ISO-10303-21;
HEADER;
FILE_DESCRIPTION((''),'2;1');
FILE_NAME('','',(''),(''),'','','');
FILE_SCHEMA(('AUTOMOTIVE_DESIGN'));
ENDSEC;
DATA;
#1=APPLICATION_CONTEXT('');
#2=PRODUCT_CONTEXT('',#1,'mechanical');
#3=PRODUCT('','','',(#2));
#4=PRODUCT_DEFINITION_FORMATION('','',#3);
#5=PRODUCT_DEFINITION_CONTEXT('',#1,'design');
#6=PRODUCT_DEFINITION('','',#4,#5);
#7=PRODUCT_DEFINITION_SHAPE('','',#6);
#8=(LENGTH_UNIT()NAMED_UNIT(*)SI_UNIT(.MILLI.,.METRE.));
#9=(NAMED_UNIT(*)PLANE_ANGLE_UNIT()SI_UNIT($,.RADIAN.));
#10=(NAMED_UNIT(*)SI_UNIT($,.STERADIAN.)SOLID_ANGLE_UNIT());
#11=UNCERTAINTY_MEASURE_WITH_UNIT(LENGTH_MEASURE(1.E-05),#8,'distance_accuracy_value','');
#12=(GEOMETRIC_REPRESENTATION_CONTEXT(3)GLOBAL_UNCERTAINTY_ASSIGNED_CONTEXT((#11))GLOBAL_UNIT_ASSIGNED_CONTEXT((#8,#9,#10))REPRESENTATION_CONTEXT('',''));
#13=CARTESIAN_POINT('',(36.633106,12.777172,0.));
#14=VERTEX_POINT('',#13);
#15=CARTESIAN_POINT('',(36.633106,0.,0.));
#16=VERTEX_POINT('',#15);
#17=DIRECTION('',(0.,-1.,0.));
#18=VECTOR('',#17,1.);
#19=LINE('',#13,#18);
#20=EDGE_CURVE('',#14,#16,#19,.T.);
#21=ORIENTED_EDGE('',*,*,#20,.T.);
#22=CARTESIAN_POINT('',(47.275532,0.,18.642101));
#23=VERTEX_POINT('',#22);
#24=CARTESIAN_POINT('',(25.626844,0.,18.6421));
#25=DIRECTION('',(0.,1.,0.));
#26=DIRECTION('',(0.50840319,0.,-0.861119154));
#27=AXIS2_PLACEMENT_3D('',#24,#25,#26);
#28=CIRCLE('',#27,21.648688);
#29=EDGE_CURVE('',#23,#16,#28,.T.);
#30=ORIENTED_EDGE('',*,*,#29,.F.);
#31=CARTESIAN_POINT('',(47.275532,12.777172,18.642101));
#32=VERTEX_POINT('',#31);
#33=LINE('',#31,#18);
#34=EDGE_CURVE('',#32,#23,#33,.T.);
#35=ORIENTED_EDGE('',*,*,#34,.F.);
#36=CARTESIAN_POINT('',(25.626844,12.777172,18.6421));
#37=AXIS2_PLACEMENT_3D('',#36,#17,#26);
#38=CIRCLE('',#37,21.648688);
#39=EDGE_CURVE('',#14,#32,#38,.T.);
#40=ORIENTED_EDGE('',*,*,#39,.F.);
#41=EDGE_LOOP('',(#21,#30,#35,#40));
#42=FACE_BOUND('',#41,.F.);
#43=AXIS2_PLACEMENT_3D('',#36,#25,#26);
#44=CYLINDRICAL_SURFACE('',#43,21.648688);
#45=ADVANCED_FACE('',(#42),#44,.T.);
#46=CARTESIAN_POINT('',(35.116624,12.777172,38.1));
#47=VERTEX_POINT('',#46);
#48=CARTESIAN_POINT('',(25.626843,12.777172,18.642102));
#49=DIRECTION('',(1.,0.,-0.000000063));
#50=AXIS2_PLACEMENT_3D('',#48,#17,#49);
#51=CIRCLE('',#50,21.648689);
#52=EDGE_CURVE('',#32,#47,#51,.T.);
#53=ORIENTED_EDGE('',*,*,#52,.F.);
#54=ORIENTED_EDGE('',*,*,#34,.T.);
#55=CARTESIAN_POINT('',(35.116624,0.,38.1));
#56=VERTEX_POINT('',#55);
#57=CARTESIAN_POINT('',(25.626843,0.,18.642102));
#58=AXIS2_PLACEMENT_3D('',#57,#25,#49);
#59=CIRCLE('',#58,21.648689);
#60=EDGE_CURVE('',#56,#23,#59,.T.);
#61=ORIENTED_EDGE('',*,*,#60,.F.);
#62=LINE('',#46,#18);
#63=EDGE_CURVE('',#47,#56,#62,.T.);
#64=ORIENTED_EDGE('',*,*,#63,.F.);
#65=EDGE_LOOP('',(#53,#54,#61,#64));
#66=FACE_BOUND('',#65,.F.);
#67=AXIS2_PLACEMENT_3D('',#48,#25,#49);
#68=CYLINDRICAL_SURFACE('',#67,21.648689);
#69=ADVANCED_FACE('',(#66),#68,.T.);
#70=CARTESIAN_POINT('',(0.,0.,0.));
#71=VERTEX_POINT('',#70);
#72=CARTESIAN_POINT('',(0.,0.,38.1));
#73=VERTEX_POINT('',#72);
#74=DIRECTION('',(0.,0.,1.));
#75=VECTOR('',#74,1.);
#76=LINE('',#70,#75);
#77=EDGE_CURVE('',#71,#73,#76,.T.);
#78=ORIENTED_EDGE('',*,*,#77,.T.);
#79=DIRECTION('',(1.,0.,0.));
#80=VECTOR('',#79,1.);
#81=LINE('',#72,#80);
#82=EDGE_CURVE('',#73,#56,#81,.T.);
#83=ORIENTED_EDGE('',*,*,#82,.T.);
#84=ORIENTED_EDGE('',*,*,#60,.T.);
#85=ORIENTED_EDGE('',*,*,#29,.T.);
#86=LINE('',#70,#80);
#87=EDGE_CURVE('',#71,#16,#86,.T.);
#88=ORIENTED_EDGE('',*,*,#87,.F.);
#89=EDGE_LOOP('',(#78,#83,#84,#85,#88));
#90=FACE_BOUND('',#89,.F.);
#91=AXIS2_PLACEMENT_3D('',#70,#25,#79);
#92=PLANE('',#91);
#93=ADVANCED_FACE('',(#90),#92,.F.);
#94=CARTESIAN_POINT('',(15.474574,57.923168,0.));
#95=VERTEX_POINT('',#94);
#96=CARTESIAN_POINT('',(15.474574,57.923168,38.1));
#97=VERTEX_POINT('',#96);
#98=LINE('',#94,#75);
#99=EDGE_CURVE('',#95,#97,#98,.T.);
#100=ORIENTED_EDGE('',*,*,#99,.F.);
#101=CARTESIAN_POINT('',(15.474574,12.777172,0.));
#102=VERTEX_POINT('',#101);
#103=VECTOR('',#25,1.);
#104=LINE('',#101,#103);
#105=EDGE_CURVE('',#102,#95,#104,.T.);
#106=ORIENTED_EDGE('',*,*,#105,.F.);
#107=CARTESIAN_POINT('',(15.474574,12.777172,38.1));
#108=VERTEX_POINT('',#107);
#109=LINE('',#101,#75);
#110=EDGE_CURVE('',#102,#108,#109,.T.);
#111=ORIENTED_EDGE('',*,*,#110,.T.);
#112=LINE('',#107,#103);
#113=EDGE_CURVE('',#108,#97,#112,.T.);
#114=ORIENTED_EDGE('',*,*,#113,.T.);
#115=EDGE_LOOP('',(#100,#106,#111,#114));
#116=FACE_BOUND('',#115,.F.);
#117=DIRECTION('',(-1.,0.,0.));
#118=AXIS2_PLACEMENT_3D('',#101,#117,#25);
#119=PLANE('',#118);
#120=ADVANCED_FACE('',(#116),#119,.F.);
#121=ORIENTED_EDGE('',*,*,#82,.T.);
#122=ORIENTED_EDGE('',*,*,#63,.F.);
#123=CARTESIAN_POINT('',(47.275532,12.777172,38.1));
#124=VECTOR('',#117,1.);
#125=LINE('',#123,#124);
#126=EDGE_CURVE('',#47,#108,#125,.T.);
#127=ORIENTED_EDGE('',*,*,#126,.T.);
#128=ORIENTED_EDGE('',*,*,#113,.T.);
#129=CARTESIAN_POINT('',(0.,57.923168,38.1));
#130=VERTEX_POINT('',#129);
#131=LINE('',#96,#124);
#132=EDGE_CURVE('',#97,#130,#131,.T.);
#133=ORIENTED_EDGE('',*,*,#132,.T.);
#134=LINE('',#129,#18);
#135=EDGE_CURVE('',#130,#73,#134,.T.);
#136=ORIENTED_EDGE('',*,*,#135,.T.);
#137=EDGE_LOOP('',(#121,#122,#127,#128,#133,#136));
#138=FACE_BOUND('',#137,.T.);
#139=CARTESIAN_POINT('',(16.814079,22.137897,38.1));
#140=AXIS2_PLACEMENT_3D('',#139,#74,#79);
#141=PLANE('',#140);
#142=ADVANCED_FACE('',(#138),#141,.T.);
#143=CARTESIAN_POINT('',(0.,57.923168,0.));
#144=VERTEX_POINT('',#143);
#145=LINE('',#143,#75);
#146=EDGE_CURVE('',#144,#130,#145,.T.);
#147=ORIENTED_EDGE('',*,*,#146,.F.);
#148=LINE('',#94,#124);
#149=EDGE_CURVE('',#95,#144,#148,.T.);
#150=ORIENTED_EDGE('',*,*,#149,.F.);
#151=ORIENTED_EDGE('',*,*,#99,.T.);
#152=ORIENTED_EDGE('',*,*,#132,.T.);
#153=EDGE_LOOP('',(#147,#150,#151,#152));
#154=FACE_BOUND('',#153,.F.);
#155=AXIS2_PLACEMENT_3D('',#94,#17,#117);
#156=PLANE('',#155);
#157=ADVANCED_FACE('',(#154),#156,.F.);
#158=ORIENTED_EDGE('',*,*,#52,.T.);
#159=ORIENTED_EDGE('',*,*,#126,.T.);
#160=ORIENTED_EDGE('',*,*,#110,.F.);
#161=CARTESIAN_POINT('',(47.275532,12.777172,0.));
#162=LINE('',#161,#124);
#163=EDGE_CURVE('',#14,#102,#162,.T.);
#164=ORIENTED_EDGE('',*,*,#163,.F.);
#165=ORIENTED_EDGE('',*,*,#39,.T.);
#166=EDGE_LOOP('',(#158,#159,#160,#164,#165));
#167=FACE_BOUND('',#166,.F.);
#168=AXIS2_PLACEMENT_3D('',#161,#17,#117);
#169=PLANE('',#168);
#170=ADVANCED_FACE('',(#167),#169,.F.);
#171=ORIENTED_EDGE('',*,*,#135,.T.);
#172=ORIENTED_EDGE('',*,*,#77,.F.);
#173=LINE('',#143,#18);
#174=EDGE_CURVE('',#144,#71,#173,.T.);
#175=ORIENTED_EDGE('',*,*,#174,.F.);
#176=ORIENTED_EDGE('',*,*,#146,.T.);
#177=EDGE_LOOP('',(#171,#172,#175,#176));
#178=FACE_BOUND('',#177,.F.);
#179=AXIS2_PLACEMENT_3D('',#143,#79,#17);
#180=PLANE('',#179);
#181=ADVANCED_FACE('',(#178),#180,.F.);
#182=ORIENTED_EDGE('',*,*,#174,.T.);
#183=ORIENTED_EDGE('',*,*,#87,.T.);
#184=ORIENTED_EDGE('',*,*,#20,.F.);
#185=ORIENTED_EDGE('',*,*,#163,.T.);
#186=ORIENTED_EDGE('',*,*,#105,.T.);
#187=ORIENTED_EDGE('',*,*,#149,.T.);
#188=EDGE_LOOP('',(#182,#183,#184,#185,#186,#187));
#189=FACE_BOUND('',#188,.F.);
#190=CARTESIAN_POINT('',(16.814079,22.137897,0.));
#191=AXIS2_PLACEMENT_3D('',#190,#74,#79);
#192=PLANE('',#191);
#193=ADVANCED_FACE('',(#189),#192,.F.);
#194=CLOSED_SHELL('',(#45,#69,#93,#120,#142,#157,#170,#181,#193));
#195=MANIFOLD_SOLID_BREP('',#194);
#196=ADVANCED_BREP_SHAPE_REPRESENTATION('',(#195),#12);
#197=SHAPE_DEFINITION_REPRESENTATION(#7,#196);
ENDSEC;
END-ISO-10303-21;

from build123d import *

# Parameters (mm, degrees)
F1_DEPTH = 38.1
F3_DEPTH = 12.778172


with BuildPart() as f1:
    # F0 (on Top) → F1 (new body)
    with BuildSketch(Plane.XY):
        Polygon((0, 57.923168), (0, 0), (47.275532, 0), (47.275532, 12.777172), (15.474574, 12.777172), (15.474574, 57.923168), align=None)
    extrude(amount=F1_DEPTH)

    # F2 (on face) → F3 (cut, through all)
    with BuildSketch(Plane(origin=(0, 12.777172, 0), x_dir=(-1, 0, 0), z_dir=(0, 1, 0))):
        with BuildLine():
            ThreePointArc((-47.275532, 18.642101), (-43.985861, 30.114338), (-35.116624, 38.1))
            Line((-35.116624, 38.1), (-47.275532, 38.1))
            Line((-47.275532, 38.1), (-47.275532, 18.642101))
        make_face()
        with BuildLine():
            ThreePointArc((-36.633106, 0), (-44.4276, 7.909101), (-47.275532, 18.642101))
            Line((-47.275532, 18.642101), (-47.275532, 0))
            Line((-47.275532, 0), (-36.633106, 0))
        make_face()
    extrude(amount=-F3_DEPTH, mode=Mode.SUBTRACT)


solid = f1.part
